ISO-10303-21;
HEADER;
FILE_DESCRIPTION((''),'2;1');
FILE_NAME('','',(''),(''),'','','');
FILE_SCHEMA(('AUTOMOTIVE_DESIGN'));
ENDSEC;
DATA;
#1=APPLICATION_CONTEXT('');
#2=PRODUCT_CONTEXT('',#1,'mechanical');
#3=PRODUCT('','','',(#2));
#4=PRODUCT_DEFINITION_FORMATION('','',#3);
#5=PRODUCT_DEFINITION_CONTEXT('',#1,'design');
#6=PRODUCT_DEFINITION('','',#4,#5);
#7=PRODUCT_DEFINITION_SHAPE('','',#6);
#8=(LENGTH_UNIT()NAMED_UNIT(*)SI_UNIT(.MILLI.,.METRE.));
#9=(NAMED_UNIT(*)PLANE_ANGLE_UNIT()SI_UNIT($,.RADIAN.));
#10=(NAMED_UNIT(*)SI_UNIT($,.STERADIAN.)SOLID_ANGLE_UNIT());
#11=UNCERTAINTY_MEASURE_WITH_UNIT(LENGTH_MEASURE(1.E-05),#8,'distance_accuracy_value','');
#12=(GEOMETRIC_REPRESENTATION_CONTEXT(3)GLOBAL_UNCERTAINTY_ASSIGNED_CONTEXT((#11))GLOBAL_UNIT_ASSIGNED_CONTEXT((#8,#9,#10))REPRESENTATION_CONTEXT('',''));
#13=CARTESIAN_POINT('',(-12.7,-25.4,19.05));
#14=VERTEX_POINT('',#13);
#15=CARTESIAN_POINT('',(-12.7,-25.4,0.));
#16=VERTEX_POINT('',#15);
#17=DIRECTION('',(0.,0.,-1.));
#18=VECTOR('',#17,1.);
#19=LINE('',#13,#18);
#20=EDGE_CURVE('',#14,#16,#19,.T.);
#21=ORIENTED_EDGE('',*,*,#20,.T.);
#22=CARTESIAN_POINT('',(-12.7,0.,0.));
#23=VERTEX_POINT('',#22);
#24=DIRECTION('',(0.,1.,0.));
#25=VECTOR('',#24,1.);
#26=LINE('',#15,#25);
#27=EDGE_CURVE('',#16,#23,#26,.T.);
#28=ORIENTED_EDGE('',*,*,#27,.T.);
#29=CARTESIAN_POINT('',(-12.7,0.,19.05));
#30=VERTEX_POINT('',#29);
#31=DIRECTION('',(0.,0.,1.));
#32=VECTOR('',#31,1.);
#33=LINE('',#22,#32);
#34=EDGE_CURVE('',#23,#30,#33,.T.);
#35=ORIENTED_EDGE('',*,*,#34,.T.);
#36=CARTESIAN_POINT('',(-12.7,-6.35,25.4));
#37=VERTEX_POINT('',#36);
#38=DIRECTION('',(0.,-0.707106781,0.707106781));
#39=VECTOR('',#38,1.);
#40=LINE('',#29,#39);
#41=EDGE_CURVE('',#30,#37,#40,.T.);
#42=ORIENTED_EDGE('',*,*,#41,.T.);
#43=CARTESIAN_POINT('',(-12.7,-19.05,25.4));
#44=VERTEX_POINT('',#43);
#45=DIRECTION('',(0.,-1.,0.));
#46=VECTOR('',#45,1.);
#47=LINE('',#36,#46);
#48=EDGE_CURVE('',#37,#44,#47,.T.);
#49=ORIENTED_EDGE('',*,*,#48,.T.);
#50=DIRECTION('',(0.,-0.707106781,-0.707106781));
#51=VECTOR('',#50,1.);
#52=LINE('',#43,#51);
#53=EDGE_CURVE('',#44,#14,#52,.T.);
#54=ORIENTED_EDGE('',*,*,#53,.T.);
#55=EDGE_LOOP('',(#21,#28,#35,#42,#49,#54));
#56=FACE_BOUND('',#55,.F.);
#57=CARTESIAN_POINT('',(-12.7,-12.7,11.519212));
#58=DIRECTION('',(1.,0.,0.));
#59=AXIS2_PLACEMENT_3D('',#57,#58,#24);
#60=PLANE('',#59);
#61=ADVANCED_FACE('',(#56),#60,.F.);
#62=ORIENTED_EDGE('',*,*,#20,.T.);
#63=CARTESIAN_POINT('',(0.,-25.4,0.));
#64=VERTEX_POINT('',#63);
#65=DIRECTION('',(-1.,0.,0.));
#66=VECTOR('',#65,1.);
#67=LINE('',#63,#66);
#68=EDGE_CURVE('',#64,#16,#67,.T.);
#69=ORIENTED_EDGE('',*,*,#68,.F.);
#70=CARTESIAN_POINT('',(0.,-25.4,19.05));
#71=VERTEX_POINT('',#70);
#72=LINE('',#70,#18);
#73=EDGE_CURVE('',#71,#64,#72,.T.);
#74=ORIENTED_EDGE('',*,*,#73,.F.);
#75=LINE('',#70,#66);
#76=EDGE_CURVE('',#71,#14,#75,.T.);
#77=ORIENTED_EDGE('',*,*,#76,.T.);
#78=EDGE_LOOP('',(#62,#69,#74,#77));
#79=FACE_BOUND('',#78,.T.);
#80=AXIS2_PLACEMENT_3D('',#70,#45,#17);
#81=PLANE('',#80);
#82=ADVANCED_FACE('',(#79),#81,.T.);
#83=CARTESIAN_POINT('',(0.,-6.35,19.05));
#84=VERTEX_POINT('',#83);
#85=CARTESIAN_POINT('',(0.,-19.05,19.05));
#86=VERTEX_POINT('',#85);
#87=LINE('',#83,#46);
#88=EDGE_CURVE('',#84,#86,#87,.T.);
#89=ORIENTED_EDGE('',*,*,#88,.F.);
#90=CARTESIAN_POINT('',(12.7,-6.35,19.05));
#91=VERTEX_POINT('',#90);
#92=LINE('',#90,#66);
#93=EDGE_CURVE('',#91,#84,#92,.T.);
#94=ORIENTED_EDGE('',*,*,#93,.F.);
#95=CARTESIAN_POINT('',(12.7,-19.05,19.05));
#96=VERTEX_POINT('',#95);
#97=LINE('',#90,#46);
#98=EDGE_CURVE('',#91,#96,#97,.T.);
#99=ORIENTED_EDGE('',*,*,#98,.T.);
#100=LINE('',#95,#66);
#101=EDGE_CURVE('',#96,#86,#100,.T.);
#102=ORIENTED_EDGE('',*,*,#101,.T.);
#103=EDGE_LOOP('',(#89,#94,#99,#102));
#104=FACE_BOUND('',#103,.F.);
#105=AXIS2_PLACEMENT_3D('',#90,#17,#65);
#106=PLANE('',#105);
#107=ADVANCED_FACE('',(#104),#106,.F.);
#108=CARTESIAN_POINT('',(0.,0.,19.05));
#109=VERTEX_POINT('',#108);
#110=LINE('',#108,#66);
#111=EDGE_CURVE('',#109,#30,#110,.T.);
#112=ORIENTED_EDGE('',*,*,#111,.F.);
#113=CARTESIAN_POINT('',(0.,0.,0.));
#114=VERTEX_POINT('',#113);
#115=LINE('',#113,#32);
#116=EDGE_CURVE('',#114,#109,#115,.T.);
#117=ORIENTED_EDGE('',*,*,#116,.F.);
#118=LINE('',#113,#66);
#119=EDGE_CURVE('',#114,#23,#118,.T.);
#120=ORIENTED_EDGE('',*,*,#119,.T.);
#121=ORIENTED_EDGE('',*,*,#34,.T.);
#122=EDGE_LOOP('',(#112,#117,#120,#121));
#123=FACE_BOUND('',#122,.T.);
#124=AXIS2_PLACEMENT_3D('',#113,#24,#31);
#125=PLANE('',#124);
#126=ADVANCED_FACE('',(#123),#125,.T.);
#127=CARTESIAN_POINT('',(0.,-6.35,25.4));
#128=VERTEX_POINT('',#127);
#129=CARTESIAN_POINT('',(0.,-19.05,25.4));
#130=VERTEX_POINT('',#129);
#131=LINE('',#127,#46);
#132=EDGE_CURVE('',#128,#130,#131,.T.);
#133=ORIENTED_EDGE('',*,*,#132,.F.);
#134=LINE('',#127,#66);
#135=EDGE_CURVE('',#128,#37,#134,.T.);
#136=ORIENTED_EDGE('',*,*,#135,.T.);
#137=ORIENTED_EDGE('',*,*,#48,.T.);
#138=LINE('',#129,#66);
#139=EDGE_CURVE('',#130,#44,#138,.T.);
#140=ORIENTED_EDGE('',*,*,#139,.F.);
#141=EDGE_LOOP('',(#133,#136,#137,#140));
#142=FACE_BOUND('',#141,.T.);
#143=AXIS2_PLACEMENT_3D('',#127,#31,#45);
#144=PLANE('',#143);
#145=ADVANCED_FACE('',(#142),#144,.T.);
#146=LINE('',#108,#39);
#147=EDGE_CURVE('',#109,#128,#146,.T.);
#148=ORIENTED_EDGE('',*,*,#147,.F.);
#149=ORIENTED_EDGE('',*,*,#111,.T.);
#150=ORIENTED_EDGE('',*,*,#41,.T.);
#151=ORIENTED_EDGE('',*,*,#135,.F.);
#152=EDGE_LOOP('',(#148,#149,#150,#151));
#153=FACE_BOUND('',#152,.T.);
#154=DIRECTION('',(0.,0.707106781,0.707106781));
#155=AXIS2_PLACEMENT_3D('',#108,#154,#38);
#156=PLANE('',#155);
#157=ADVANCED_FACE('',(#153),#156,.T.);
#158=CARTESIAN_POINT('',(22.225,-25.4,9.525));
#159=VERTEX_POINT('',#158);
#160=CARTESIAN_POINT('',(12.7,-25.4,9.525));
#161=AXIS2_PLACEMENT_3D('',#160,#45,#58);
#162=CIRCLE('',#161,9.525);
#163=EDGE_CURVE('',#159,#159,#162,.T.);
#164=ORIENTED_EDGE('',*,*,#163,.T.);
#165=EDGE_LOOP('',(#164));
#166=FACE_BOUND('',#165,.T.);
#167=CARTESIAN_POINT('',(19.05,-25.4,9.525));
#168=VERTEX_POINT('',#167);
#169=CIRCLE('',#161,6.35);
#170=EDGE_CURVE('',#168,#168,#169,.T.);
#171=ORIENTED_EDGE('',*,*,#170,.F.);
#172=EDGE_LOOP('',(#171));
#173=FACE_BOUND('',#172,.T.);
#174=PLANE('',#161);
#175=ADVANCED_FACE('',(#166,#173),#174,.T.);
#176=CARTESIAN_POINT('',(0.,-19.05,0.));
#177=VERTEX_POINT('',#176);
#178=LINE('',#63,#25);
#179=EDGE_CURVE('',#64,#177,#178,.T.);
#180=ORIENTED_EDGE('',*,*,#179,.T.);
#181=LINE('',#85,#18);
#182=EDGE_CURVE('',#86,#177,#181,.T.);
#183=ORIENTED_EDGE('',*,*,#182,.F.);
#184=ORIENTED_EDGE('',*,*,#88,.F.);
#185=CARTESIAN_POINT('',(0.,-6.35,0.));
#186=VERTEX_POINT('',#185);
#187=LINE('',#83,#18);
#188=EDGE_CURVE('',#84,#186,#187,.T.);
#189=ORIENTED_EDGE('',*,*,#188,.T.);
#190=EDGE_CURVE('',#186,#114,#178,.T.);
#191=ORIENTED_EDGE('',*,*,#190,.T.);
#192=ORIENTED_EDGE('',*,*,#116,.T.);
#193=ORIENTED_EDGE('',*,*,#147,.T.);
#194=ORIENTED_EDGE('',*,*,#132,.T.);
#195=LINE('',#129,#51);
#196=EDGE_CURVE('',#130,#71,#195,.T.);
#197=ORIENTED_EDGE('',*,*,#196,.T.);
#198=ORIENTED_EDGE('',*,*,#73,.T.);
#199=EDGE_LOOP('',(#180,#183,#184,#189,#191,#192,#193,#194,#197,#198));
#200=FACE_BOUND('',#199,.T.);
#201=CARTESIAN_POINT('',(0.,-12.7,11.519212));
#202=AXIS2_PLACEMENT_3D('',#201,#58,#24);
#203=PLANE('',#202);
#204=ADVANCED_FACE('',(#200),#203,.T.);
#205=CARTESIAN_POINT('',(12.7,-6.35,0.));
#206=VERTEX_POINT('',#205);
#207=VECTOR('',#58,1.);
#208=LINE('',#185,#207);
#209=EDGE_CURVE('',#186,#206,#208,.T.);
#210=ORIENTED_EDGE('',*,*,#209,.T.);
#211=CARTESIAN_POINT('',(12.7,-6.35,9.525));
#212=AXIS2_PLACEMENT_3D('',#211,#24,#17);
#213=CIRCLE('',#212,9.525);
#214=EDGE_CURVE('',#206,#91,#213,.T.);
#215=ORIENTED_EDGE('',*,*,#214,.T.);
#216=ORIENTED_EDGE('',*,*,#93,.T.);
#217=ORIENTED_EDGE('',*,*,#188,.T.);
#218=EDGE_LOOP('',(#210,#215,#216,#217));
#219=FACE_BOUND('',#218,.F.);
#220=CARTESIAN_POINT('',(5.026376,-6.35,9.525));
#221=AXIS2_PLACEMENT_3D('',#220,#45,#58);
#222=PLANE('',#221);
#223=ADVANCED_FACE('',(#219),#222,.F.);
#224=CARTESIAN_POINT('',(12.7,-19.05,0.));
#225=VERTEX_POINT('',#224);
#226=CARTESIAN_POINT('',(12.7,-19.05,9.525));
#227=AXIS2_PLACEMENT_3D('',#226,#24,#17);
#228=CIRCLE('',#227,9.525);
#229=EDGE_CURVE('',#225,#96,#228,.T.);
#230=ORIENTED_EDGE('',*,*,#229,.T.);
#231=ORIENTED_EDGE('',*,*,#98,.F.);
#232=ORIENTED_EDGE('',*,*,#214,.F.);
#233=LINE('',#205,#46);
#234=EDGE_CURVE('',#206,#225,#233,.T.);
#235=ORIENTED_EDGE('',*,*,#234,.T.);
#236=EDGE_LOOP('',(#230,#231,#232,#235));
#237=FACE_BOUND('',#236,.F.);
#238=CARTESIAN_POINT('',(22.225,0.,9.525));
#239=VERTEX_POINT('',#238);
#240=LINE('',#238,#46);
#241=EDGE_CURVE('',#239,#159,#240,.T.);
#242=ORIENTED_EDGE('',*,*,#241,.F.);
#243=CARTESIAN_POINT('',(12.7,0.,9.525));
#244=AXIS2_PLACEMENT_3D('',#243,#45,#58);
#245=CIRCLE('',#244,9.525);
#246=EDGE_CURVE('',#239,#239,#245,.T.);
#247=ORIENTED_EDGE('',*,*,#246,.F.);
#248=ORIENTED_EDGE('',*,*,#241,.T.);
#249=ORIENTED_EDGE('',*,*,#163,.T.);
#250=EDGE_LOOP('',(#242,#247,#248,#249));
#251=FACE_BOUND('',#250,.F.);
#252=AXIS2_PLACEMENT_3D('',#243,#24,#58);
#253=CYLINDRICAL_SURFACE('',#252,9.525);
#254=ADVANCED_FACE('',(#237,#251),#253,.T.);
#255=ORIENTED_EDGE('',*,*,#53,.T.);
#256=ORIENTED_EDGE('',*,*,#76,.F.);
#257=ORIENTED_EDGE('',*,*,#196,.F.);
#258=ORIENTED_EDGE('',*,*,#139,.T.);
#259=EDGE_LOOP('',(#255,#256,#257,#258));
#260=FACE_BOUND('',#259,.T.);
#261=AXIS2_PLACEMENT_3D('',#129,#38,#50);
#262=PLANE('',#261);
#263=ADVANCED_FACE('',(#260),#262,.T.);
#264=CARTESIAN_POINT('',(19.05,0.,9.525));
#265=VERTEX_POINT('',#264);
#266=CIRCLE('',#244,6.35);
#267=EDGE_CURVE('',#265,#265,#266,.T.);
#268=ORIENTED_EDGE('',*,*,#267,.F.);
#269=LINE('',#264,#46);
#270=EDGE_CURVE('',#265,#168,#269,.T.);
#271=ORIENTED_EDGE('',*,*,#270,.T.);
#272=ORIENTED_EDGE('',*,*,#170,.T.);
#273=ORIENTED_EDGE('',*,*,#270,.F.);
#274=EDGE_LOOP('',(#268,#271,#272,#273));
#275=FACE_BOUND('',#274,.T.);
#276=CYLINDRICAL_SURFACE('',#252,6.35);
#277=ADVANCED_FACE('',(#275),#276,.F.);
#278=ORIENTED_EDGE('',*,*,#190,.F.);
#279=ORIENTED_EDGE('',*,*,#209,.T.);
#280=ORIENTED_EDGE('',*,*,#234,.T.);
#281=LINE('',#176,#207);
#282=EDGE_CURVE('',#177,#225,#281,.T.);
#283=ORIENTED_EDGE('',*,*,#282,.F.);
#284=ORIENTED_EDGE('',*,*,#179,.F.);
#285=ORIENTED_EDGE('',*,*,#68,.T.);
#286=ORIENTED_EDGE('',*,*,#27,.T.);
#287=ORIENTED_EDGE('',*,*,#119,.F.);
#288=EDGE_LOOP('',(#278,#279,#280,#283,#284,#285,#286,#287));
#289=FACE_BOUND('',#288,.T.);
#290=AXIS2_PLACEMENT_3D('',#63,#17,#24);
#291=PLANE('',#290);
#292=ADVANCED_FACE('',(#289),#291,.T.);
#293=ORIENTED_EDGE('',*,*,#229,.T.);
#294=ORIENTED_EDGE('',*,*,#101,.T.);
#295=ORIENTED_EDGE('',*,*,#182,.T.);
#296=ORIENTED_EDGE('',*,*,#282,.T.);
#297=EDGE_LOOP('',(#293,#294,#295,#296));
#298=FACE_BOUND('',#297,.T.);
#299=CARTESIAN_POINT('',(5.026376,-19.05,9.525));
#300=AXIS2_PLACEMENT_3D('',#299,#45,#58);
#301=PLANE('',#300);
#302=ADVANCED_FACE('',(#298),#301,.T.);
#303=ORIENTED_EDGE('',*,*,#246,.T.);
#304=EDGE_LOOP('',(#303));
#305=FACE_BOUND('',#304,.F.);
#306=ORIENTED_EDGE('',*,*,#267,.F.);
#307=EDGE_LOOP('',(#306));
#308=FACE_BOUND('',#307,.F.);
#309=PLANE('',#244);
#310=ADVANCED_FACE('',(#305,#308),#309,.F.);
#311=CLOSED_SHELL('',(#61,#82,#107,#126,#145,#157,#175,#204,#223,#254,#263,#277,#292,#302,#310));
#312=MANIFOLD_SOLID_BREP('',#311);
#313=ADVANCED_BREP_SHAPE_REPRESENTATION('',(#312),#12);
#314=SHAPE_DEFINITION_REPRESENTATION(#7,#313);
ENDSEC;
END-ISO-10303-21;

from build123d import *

# Parameters (mm, degrees)
F1_DEPTH = 12.7
F3_START = 6.35
F3_DEPTH = 12.7
F4_R     = 9.525
F4_R_2   = 6.35
F5_DEPTH = 25.4


with BuildPart() as f1:
    # F0 (on Right) → F1 (new body)
    with BuildSketch(Plane.YZ):
        Polygon((-25.4, 0), (0, 0), (0, 19.05), (-6.35, 25.4), (-19.05, 25.4), (-25.4, 19.05), align=None)
    extrude(amount=-F1_DEPTH)

    # F2 (on Front) → F3 (join)
    with BuildSketch(Plane.XZ.offset(F3_START)):
        with BuildLine():
            Line((0, 19.05), (0, 0))
            Line((0, 0), (12.7, 0))
            ThreePointArc((12.7, 0), (3.175, 9.525), (12.7, 19.05))
            Line((12.7, 19.05), (0, 19.05))
        make_face()
    extrude(amount=F3_DEPTH)

    # F4 (on Front) → F5 (join)
    with BuildSketch(Plane.XZ):
        with Locations((12.7, 9.525)):
            Circle(F4_R)
        with Locations((12.7, 9.525)):
            Circle(F4_R_2, mode=Mode.SUBTRACT)
    extrude(amount=F5_DEPTH)


solid = f1.part
